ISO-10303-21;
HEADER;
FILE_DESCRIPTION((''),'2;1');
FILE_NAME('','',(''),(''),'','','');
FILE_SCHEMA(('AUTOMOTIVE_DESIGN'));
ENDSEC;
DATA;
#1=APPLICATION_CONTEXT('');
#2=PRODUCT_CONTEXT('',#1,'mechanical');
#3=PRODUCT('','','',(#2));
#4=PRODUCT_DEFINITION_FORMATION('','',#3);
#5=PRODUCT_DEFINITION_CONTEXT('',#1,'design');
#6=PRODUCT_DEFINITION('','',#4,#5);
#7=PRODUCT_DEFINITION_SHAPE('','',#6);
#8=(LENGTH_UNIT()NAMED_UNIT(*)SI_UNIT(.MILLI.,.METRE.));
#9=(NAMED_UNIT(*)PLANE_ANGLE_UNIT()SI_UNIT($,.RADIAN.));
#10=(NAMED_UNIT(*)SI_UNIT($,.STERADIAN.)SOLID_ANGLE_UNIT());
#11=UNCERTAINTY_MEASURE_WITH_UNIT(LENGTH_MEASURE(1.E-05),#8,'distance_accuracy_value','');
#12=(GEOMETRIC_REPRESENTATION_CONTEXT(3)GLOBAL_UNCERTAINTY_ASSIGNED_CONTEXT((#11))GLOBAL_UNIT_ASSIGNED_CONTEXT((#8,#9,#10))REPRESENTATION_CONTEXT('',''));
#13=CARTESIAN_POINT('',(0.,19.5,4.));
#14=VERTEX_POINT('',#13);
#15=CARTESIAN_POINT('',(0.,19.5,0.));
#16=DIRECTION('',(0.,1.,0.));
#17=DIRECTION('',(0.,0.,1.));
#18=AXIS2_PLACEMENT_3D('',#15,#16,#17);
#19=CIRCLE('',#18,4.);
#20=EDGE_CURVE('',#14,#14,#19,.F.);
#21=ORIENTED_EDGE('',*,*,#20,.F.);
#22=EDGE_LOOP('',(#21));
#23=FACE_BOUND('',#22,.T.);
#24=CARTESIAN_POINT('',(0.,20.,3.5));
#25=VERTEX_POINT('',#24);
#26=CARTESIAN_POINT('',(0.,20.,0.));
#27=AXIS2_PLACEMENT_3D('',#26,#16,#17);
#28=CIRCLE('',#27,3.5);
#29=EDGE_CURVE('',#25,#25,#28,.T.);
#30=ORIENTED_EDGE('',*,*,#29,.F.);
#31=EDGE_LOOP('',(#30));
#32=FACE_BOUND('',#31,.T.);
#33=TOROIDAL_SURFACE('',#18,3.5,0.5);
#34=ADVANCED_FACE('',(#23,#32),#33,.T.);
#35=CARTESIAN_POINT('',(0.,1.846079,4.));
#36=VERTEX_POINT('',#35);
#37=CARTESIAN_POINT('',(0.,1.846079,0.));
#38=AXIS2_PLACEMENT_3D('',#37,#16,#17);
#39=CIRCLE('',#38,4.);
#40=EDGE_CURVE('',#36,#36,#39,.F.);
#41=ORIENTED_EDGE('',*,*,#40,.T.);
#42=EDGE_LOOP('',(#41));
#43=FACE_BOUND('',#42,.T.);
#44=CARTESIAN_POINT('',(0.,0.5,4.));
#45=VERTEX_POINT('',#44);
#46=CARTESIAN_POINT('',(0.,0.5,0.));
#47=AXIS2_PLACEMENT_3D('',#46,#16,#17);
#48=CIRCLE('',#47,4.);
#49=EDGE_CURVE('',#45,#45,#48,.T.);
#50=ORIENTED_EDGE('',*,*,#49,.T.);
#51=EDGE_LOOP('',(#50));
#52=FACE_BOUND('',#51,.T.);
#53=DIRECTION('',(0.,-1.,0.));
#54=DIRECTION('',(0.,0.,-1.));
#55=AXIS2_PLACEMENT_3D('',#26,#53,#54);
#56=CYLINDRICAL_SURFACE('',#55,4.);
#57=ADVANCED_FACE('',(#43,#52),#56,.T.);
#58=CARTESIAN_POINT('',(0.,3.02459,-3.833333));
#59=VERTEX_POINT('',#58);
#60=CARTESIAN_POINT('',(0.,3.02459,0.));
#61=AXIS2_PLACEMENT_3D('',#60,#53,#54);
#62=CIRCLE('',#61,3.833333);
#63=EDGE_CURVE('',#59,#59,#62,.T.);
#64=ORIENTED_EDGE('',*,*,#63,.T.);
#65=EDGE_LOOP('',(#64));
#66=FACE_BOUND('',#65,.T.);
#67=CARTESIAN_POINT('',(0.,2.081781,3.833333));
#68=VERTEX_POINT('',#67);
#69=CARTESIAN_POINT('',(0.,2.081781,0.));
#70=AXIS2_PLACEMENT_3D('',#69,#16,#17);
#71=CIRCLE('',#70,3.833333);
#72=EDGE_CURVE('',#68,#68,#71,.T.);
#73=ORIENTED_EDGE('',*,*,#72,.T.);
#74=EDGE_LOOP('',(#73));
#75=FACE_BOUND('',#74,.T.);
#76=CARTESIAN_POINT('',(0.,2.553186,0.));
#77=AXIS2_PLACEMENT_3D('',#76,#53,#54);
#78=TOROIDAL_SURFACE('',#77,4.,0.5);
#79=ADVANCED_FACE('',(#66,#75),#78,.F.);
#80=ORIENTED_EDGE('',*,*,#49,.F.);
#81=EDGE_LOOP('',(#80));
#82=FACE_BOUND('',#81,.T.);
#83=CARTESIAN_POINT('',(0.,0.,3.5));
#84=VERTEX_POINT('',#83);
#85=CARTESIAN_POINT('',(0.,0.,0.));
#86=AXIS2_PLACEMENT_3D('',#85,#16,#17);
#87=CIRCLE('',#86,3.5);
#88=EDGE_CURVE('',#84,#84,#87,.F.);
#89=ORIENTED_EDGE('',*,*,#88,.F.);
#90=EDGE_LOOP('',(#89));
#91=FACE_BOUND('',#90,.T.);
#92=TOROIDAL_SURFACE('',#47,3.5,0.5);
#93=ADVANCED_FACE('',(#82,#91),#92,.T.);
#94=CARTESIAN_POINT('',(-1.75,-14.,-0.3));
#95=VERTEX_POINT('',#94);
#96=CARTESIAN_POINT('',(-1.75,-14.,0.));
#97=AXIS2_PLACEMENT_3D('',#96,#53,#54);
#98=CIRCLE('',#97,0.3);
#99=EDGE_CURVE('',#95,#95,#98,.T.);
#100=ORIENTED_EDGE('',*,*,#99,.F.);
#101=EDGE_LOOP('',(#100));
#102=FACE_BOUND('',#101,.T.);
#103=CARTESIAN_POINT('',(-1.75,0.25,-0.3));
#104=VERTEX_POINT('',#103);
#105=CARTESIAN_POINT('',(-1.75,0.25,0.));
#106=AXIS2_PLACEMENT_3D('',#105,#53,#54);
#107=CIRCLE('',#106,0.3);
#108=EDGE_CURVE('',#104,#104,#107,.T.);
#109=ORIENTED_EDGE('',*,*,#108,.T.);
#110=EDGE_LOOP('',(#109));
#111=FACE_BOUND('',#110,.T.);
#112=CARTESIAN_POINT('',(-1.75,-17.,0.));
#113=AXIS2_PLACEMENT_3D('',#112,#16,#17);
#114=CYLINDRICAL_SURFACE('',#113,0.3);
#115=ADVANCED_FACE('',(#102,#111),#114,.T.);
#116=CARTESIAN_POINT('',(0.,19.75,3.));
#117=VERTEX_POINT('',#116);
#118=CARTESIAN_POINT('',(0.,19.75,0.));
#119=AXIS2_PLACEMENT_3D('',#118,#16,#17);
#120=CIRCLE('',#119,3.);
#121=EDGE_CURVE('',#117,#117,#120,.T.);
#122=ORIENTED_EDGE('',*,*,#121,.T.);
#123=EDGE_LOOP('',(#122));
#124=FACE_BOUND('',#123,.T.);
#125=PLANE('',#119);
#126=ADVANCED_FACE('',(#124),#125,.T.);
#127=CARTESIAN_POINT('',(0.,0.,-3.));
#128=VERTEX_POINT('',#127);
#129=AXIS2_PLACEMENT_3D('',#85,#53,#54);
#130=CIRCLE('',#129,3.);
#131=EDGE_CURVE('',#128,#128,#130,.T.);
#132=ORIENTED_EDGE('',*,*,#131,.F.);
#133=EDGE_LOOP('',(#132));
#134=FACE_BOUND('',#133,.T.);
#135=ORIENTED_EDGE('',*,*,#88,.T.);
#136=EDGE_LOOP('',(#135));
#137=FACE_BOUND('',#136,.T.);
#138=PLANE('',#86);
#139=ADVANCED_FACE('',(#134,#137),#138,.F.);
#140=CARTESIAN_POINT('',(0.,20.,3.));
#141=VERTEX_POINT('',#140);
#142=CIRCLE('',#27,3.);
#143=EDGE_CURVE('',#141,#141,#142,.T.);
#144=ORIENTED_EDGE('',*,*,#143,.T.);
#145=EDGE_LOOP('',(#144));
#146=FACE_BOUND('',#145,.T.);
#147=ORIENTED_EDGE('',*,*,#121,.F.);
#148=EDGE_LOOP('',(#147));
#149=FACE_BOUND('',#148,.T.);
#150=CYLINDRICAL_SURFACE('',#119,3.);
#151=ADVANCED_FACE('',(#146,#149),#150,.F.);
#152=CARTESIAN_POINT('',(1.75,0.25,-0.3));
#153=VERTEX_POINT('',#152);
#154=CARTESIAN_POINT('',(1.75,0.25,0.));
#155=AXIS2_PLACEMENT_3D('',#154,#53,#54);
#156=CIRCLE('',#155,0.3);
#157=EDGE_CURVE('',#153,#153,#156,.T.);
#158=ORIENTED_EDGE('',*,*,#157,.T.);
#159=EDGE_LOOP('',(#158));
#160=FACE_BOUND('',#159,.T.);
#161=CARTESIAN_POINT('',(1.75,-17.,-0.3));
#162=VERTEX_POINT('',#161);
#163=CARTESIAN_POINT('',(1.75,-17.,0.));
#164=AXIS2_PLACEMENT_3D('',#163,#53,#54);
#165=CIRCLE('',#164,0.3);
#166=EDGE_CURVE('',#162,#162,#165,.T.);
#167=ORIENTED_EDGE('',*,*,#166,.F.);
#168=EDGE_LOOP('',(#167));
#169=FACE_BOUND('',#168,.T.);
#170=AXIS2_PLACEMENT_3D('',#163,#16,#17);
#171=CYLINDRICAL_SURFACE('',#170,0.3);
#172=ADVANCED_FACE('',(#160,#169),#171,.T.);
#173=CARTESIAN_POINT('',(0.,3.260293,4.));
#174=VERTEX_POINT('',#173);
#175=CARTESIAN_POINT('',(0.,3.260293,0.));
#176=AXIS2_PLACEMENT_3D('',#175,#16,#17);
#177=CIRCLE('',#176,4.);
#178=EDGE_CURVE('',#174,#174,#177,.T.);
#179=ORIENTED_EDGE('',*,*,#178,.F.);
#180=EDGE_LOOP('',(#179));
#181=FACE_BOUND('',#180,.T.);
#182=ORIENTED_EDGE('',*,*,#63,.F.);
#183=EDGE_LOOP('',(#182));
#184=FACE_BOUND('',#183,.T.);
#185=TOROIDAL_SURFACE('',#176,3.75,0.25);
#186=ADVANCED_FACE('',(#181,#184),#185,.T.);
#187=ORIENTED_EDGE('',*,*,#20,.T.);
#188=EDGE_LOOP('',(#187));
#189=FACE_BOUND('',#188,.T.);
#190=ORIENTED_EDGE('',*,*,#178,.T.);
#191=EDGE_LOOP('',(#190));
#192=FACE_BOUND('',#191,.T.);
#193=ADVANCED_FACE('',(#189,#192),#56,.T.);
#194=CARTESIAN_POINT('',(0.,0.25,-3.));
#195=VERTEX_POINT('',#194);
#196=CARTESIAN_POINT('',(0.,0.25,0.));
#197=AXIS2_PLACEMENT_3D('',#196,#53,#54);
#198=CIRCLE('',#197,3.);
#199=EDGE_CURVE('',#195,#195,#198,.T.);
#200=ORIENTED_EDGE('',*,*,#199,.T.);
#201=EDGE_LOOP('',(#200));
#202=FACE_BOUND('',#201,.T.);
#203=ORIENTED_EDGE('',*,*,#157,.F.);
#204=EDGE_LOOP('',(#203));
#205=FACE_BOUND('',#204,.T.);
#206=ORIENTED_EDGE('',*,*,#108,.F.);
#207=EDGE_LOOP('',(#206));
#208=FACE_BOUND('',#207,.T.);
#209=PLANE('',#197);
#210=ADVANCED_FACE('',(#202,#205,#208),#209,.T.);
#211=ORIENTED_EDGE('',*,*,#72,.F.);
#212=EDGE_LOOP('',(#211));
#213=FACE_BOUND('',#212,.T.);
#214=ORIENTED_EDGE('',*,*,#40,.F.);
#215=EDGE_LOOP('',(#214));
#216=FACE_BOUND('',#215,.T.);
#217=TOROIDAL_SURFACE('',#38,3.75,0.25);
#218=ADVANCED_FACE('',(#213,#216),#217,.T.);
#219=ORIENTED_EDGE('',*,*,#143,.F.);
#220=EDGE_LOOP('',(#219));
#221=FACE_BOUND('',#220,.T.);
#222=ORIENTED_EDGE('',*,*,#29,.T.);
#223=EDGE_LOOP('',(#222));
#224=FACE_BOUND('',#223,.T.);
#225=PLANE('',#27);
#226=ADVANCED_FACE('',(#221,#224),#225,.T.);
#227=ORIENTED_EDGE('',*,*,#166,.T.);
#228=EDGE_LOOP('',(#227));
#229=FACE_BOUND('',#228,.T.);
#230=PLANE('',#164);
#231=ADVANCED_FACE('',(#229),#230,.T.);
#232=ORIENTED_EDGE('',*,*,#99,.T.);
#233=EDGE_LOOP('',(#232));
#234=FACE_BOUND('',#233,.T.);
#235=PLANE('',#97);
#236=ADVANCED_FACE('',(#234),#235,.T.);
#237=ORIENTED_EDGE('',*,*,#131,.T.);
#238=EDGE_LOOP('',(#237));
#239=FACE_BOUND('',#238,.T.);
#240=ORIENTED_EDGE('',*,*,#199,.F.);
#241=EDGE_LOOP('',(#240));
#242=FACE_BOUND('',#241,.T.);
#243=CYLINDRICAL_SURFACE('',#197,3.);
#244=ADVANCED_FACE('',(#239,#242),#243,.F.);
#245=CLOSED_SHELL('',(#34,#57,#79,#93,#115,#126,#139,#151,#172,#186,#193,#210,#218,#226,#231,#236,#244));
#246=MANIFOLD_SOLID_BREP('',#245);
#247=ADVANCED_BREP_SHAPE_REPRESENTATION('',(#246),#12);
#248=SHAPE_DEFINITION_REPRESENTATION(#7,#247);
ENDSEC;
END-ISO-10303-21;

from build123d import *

# Parameters (mm, degrees)
SKETCH1_R           = 4
BASE_EXTRUDE_DEPTH  = 20
FILLET1_R           = 0.5
FILLET2_R           = 0.25
SKETCH4_R           = 3
CUT_EXTRUDE1_DEPTH  = 0.25
SKETCH3_R           = 0.3
BOSS_EXTRUDE1_DEPTH = 17.25
SKETCH5_R           = 0.3
CUT_EXTRUDE2_DEPTH  = 3
SKETCH6_R           = 3
CUT_EXTRUDE3_DEPTH  = 0.25


with BuildPart() as part:
    # Sketch1 → Base-Extrude (new body)
    with BuildSketch(Plane(origin=(0, 0, 0), x_dir=(1, 0, 0), z_dir=(0, 1, 0))):
        with Locations(Location((0, 0, 0), (0, 0, 270))):  # turned: the seam where the file's is
            Circle(SKETCH1_R)
    extrude(amount=BASE_EXTRUDE_DEPTH)

    # Sketch2 → Cut-Revolve1 (revolve, cut)
    with BuildSketch(Plane(origin=(0, 0, 0), x_dir=(0, 0, -1), z_dir=(1, 0, 0)), mode=Mode.PRIVATE) as cut_revolve1_sk:
        with BuildLine():
            Line((-4, 3.053185949), (-4, 2.053185949))
            ThreePointArc((-4, 2.053185949), (-3.5, 2.553185949), (-4, 3.053185949))
        make_face()
    revolve(cut_revolve1_sk.sketch.rotate(Axis((0, 0, 0), (0, 1, 0)), 180), axis=Axis((0, 0, 0), (0, 1, 0)), mode=Mode.SUBTRACT)  # turned: the seam where the file's is

    # Fillet1
    fillet1_edges = [part.edges().sort_by_distance(p)[0] for p in [
        (0, 0, -4),
        (0, 20, -4),
    ]]
    fillet(fillet1_edges, radius=FILLET1_R)

    # Fillet2
    fillet2_edges = [part.edges().sort_by_distance(p)[0] for p in [
        (-4, 2.053185949, 0),
        (-4, 3.053185949, 0),
    ]]
    fillet(fillet2_edges, radius=FILLET2_R)

    # Sketch4 → Cut-Extrude1 (cut)
    with BuildSketch(Plane.XZ):
        with Locations(Location((0, 0, 0), (0, 0, 270))):  # turned: the seam where the file's is
            Circle(SKETCH4_R)
    extrude(amount=-CUT_EXTRUDE1_DEPTH, mode=Mode.SUBTRACT)

    # Sketch3 → Boss-Extrude1 (add)
    with BuildSketch(Plane.XZ.offset(-0.25)):
        with Locations(Location((-1.75, 0, 0), (0, 0, 270))):  # turned: the seam where the file's is
            Circle(SKETCH3_R)
        with Locations(Location((1.75, 0, 0), (0, 0, 270))):  # turned: the seam where the file's is
            Circle(SKETCH3_R)
    extrude(amount=BOSS_EXTRUDE1_DEPTH)

    # Sketch5 → Cut-Extrude2 (cut)
    with BuildSketch(Plane.XZ.offset(17)):
        with Locations(Location((-1.75, 0, 0), (0, 0, 270))):  # turned: the seam where the file's is
            Circle(SKETCH5_R)
    extrude(amount=-CUT_EXTRUDE2_DEPTH, mode=Mode.SUBTRACT)

    # Sketch6 → Cut-Extrude3 (cut)
    with BuildSketch(Plane(origin=(0, 20, 0), x_dir=(-1, 0, 0), z_dir=(0, 1, 0))):
        with Locations(Location((0, 0, 0), (0, 0, 270))):  # turned: the seam where the file's is
            Circle(SKETCH6_R)
    extrude(amount=-CUT_EXTRUDE3_DEPTH, mode=Mode.SUBTRACT)


solid = part.part
